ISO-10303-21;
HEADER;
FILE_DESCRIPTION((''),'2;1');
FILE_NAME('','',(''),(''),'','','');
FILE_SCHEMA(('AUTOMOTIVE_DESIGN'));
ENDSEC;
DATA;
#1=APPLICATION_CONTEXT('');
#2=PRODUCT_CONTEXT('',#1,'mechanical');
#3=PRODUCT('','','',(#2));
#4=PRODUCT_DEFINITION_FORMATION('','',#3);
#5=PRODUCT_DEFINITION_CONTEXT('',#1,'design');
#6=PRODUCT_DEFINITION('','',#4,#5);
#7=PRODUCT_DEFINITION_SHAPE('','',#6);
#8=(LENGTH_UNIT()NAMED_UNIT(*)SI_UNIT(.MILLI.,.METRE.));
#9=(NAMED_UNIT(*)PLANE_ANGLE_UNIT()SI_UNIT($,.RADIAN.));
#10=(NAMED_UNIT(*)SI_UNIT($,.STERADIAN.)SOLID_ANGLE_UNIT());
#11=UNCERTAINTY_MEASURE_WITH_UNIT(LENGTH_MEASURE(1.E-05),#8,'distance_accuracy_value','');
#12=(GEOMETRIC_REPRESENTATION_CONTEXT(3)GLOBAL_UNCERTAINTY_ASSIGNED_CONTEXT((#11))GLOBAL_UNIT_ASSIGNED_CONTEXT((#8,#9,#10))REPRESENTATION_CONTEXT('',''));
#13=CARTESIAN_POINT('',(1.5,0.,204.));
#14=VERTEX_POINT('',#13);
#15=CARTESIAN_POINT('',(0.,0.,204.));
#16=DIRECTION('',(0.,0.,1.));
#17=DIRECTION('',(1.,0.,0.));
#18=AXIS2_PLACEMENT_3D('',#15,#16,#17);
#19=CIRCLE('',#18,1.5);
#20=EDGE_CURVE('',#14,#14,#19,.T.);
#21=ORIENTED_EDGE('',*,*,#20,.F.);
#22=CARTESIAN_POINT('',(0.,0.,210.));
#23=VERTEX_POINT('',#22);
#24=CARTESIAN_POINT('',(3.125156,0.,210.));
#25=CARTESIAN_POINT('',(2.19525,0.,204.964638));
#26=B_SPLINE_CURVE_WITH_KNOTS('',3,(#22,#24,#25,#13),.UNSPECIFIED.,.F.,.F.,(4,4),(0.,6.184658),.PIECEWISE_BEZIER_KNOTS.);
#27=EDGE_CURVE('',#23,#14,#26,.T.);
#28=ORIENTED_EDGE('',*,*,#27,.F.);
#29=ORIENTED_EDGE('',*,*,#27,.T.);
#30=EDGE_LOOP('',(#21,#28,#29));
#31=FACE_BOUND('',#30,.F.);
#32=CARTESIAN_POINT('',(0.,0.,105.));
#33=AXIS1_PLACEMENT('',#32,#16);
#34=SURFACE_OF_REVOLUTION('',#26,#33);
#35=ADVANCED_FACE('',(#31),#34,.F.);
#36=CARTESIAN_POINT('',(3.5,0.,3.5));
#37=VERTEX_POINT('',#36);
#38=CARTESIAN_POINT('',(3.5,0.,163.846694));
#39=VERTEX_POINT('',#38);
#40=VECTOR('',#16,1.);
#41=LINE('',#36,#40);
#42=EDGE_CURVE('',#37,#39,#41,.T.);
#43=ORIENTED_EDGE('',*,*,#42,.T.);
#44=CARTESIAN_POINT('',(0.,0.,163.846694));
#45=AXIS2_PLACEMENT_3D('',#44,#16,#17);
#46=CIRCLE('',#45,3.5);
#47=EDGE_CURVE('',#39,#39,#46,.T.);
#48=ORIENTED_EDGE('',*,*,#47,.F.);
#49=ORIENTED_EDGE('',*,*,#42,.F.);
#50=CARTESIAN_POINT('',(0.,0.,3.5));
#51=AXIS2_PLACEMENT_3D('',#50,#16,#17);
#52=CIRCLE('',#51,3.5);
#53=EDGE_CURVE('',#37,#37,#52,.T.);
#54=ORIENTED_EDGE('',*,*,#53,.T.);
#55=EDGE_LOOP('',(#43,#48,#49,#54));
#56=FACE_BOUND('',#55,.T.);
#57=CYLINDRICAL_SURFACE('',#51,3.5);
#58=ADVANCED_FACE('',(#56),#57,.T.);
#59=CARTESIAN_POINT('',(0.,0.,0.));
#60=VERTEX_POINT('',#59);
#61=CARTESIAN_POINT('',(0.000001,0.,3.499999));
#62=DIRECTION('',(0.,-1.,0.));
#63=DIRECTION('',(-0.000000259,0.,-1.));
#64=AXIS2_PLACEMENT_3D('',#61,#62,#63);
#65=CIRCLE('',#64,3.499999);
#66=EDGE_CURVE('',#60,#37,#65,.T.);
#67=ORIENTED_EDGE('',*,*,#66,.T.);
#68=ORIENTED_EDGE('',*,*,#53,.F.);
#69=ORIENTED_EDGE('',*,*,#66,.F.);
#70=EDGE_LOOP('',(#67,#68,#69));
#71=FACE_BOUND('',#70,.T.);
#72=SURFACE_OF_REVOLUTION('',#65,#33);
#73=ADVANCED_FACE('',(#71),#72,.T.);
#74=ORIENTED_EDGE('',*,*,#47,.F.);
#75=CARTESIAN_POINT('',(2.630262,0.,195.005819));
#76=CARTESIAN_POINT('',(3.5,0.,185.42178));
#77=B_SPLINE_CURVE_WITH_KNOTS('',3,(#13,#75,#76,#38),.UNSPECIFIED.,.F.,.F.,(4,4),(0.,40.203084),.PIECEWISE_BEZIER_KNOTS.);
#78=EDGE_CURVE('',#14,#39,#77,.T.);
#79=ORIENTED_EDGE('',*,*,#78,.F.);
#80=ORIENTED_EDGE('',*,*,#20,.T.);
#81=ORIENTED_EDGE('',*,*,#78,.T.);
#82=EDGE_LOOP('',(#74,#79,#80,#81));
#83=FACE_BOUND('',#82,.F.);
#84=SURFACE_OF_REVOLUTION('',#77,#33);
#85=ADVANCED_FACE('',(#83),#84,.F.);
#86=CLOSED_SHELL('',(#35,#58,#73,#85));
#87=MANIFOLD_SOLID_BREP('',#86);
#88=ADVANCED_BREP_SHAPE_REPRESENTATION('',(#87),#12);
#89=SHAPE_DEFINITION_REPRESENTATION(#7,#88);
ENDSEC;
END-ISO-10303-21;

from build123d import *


with BuildPart() as f1:
    # F0 (on Front) → F1 (revolve)
    with BuildSketch(Plane.XZ):
        with BuildLine():
            Line((0, 210), (0, 0))
            ThreePointArc((0, 0), (2.474874, 1.025126), (3.5, 3.5))
            Line((3.5, 3.5), (3.5, 163.846694))
            add(Edge.make_bspline(
                [(1.5, 204), (2.630262, 195.005819), (3.5, 185.42178), (3.5, 163.846694)],
                knots=[0, 0, 0, 0, 40.203084, 40.203084, 40.203084, 40.203084], degree=3))
            add(Edge.make_bspline(
                [(0, 210), (3.125156, 210), (2.19525, 204.964638), (1.5, 204)],
                knots=[0, 0, 0, 0, 6.184658, 6.184658, 6.184658, 6.184658], degree=3))
        make_face()
    revolve(axis=Axis((0, 0, 105), (0, 0, 1)))


solid = f1.part
